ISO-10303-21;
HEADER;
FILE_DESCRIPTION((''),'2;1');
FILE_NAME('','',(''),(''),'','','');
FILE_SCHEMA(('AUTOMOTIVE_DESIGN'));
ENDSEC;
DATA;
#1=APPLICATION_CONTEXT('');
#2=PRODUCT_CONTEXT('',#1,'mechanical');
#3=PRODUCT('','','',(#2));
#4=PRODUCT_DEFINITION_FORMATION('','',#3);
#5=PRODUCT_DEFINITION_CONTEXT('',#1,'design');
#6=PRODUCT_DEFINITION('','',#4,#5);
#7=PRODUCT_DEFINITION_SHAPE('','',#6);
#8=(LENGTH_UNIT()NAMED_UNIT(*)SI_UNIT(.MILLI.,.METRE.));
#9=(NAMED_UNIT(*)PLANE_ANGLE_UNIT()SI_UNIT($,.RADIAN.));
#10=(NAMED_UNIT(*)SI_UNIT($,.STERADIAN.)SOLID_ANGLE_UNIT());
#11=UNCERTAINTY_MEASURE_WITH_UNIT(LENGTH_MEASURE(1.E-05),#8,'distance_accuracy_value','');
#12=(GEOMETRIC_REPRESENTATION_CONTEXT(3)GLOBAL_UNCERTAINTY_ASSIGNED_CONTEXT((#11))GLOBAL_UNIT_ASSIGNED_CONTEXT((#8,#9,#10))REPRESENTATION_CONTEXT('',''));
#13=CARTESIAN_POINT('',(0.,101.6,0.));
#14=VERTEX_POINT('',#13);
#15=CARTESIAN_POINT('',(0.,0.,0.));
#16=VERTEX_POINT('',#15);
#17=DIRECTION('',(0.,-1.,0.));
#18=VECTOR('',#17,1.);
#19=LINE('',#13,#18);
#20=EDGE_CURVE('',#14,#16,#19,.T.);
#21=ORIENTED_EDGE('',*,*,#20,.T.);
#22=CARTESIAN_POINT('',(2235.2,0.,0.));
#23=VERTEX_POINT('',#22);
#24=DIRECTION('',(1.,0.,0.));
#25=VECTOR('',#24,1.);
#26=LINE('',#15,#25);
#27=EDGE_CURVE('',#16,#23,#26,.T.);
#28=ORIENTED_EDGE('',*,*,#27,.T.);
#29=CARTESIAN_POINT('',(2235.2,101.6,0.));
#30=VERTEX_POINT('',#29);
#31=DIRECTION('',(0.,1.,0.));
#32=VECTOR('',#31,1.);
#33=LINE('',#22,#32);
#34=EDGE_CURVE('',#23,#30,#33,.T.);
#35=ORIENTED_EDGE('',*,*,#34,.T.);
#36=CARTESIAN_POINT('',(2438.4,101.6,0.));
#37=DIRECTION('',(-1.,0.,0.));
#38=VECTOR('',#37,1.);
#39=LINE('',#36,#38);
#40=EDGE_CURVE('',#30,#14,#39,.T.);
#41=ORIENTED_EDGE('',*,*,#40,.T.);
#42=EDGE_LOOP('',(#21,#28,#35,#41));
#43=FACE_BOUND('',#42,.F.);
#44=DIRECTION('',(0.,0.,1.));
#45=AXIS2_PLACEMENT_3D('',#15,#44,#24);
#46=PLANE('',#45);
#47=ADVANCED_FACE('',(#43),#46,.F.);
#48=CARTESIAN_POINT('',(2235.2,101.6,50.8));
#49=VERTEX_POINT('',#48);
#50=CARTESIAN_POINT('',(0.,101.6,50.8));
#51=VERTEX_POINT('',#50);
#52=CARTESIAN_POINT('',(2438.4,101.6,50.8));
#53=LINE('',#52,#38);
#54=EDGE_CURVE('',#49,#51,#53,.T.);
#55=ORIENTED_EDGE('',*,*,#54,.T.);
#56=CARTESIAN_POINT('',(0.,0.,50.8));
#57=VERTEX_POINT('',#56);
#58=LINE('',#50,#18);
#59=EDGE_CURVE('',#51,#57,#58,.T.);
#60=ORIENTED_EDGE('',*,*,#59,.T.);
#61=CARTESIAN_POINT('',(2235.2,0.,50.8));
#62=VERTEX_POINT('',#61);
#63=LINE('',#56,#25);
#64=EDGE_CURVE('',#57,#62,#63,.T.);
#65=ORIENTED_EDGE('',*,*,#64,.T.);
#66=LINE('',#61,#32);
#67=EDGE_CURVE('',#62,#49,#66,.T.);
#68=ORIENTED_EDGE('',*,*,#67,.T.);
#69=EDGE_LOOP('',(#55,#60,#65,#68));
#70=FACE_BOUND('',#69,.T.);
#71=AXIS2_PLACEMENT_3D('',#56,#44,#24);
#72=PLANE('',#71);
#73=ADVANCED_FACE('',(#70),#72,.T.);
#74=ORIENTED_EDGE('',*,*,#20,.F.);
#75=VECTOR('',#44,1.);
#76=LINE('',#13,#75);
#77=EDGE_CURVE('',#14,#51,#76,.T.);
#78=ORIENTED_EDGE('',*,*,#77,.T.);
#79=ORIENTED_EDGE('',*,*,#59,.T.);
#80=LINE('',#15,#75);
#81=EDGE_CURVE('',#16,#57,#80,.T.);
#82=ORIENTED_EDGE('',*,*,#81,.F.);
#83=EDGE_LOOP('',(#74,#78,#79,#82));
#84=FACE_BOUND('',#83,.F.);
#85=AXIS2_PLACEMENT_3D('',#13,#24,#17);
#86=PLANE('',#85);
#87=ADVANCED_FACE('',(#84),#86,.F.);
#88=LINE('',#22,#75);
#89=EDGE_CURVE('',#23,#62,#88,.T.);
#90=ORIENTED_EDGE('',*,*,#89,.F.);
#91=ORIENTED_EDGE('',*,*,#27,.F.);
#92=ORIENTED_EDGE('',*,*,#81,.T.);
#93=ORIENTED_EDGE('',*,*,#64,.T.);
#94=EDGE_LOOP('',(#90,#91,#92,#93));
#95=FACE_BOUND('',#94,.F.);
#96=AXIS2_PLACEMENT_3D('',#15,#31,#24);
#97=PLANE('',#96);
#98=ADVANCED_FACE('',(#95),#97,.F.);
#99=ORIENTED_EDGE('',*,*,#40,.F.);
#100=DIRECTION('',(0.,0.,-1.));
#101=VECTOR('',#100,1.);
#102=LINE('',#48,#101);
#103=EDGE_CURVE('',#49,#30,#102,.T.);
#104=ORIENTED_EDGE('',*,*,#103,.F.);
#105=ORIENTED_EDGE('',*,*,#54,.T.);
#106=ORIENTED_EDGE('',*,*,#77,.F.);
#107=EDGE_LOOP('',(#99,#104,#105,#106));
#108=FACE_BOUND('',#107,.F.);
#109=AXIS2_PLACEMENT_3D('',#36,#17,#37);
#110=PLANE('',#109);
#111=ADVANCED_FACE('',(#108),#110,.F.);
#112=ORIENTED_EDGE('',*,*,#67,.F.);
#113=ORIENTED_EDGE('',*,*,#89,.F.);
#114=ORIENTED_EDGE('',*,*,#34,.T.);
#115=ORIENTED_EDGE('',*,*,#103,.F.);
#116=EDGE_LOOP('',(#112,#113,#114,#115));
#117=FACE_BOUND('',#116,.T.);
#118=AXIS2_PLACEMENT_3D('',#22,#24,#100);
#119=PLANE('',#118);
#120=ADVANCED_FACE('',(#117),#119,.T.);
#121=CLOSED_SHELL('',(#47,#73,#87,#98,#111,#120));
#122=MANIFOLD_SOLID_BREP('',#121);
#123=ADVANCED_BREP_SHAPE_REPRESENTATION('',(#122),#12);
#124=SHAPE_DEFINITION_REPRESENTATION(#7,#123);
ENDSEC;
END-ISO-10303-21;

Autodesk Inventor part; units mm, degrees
ref_plane "YZ Plane" through (0, 0, 0) normal (1, 0, 0) x (0, 1, 0)
ref_plane "XZ Plane" through (0, 0, 0) normal (0, 1, 0) x (-1, 0, 0)
ref_plane "XY Plane" through (0, 0, 0) normal (0, 0, 1) x (1, 0, 0)
sketch "Sketch1" plane through (0, 0, 0) normal (0, 0, 1) x (1, 0, 0)
  line L0 (0, 0) -> (2438.4, 0)
  line L1 (2438.4, 0) -> (2438.4, 101.6)
  line L2 (2438.4, 101.6) -> (0, 101.6)
  line L3 (0, 101.6) -> (0, 0)
  dimension "d0" = 2438.4
  dimension "d1" = 101.6
extrude "Extrusion1" add sketch "Sketch1" along normal blind 50.8
sketch "Sketch2" plane through (2438.4, 0, 0) normal (1, 0, 0) x (0, 0, -1)
  line L0 (0, 0) -> (0, 101.6) projected
  line L1 (-50.8, 0) -> (-50.8, 101.6) projected
  line L2 (0, 0) -> (-50.8, 0)
  line L3 (-50.8, 0) -> (-50.8, 101.6)
  line L4 (-50.8, 101.6) -> (0, 101.6)
  line L5 (0, 101.6) -> (0, 0)
extrude "Extrusion2" cut sketch "Sketch2" against normal blind 203.2
properties part number "2x4x88"
